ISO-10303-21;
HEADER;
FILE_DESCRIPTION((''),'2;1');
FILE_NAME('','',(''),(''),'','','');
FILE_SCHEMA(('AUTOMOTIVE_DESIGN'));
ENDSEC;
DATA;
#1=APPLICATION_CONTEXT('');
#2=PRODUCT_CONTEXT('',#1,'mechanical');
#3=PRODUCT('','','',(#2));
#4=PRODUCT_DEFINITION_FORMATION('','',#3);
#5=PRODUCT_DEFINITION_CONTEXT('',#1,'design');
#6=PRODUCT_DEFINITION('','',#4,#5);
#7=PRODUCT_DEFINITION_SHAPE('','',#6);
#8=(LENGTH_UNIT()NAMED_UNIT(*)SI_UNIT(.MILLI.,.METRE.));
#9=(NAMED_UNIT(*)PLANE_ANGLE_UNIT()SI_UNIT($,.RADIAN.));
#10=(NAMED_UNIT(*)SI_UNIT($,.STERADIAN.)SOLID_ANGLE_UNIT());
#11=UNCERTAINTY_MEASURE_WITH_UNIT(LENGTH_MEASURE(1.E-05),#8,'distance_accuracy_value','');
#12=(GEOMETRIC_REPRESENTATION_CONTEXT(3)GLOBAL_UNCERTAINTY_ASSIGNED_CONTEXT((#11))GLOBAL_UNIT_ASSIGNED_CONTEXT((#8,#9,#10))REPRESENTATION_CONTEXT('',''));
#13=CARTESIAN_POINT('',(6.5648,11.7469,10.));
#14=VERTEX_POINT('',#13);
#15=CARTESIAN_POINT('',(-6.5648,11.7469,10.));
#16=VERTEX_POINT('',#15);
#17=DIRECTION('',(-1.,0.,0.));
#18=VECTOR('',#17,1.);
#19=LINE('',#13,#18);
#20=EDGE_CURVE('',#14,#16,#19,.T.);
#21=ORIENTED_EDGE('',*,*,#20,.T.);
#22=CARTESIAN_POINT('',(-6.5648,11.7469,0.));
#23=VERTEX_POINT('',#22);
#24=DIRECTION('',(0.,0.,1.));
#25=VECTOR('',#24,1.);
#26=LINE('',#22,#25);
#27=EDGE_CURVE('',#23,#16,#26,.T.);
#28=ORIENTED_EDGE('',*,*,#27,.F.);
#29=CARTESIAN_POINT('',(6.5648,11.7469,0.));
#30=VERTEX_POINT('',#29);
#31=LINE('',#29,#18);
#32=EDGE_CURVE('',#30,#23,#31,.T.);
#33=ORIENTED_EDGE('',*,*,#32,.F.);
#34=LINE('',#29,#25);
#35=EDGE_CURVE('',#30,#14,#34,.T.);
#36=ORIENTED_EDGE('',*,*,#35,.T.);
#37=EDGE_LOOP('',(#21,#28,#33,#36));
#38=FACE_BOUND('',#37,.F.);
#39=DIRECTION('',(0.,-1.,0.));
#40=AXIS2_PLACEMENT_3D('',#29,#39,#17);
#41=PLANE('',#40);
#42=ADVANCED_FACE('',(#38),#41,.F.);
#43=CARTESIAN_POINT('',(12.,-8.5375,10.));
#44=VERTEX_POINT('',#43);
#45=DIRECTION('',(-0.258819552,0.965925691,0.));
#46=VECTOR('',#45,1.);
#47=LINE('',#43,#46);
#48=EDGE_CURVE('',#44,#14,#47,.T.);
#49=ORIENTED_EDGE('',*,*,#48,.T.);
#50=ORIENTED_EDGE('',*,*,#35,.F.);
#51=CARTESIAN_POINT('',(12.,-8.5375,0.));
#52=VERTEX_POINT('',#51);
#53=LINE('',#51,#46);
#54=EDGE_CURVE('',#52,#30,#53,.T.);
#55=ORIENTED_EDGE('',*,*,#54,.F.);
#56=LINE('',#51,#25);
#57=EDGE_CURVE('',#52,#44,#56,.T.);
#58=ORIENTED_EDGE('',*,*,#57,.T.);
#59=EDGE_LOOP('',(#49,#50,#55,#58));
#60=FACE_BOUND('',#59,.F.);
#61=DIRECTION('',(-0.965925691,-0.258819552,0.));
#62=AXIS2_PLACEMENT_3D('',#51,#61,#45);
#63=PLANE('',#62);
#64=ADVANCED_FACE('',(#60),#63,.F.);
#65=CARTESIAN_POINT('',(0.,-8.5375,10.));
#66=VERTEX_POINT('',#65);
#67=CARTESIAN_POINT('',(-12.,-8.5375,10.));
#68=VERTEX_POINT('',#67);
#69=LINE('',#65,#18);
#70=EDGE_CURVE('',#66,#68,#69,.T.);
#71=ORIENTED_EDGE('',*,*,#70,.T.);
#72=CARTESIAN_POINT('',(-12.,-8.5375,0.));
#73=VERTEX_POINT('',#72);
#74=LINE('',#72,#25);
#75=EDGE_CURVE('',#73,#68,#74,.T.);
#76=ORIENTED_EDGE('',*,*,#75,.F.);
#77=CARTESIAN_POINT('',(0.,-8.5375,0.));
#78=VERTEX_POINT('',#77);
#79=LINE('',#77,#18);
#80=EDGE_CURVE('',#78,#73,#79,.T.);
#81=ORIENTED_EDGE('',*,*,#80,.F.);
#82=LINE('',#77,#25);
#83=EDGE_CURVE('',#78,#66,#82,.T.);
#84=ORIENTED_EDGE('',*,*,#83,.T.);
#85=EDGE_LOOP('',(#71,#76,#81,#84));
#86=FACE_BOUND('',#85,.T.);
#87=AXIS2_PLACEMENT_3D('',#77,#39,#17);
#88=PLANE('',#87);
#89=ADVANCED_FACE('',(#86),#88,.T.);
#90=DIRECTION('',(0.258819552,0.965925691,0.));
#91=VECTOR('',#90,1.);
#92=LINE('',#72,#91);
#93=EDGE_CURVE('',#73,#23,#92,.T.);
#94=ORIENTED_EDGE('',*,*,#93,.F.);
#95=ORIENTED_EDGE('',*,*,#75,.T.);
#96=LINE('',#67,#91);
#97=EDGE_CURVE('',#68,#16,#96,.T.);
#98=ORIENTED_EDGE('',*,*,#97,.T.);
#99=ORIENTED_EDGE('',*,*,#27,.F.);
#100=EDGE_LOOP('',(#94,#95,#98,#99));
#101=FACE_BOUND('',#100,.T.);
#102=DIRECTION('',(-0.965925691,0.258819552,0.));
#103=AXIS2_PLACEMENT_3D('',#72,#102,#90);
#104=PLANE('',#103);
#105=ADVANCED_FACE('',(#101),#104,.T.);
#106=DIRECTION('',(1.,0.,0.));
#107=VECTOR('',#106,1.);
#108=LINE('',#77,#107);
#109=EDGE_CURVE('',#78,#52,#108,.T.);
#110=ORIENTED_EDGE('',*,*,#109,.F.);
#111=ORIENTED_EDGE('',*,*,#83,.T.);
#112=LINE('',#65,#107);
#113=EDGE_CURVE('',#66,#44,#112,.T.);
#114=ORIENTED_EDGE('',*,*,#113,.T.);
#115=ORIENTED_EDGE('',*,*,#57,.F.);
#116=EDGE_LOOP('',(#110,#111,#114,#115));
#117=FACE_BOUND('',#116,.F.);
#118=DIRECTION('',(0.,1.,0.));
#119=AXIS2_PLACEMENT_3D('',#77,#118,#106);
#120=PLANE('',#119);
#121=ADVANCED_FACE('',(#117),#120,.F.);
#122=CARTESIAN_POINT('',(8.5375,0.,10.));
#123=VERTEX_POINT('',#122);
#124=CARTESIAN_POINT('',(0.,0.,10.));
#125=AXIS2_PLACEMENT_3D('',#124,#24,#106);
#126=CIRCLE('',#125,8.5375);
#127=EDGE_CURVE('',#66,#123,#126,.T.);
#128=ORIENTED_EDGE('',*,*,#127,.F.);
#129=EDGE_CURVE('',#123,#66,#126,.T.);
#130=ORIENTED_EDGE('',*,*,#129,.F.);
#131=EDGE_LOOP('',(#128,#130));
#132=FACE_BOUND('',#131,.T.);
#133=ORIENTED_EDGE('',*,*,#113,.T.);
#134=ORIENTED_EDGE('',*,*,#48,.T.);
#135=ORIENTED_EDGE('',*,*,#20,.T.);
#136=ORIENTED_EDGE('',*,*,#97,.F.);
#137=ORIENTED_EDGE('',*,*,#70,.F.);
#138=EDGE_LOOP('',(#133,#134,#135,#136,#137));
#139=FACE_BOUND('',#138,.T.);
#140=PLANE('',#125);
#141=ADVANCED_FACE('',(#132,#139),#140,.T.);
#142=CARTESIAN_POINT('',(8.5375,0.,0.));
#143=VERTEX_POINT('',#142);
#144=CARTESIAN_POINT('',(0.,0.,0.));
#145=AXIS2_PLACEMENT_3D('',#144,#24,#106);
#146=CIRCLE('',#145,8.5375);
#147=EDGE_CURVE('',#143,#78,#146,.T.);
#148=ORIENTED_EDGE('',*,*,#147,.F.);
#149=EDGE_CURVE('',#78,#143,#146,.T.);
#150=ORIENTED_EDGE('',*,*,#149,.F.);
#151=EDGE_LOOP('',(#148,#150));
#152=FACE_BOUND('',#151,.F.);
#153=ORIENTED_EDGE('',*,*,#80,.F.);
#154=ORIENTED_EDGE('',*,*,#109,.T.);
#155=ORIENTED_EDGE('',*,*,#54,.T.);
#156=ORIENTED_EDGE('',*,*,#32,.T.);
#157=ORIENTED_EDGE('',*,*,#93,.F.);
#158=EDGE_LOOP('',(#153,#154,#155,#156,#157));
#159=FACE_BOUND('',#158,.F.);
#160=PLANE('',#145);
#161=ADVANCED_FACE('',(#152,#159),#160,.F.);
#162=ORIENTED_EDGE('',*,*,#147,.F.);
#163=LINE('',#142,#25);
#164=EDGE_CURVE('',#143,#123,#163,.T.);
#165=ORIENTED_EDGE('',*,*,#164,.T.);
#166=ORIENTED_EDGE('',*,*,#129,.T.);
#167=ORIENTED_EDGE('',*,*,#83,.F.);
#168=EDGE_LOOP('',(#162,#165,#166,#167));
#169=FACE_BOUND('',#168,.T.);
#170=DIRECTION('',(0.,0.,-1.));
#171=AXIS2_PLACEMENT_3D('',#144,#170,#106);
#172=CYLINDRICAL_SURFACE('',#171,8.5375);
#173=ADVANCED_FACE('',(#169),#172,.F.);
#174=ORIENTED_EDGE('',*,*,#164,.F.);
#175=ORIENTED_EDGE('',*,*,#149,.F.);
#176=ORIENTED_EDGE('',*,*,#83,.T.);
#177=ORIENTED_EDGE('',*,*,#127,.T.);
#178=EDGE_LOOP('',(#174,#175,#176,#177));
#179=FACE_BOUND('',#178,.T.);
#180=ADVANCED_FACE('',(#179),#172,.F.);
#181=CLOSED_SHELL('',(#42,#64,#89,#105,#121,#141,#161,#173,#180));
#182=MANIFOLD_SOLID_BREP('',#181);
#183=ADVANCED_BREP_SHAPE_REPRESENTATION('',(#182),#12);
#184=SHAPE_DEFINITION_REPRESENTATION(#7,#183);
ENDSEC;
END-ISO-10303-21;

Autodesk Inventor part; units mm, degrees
ref_plane "YZ Plane" through (0, 0, 0) normal (1, 0, 0) x (0, 1, 0)
ref_plane "XZ Plane" through (0, 0, 0) normal (0, 1, 0) x (-1, 0, 0)
ref_plane "XY Plane" through (0, 0, 0) normal (0, 0, 1) x (1, 0, 0)
sketch "Sketch1" plane through (0, 0, 0) normal (0, 0, 1) x (1, 0, 0)
  circle A0 centre (0, 0) radius 8.5375
  line L0 (0, -8.5375) -> (12, -8.5375)
  line L1 (0, -8.5375) -> (-12, -8.5375)
  line L2 (-12, -8.5375) -> (-6.5648, 11.7469)
  line L3 (12, -8.5375) -> (6.5648, 11.7469)
  line L4 (12, -8.5375) -> (33, -8.5375) construction
  line L5 (6.5648, 11.7469) -> (-6.5648, 11.7469)
  dimension "d0" = 17.075
  dimension "d1" = 12
  dimension "d2" = 12
  dimension "d3" = 21
  dimension "d4" = 75
  dimension "d7" = 21
  dimension "d8" = 105
extrude "Extrusion1" add sketch "Sketch1" along normal blind 10
properties part number "parte ensamble in"
